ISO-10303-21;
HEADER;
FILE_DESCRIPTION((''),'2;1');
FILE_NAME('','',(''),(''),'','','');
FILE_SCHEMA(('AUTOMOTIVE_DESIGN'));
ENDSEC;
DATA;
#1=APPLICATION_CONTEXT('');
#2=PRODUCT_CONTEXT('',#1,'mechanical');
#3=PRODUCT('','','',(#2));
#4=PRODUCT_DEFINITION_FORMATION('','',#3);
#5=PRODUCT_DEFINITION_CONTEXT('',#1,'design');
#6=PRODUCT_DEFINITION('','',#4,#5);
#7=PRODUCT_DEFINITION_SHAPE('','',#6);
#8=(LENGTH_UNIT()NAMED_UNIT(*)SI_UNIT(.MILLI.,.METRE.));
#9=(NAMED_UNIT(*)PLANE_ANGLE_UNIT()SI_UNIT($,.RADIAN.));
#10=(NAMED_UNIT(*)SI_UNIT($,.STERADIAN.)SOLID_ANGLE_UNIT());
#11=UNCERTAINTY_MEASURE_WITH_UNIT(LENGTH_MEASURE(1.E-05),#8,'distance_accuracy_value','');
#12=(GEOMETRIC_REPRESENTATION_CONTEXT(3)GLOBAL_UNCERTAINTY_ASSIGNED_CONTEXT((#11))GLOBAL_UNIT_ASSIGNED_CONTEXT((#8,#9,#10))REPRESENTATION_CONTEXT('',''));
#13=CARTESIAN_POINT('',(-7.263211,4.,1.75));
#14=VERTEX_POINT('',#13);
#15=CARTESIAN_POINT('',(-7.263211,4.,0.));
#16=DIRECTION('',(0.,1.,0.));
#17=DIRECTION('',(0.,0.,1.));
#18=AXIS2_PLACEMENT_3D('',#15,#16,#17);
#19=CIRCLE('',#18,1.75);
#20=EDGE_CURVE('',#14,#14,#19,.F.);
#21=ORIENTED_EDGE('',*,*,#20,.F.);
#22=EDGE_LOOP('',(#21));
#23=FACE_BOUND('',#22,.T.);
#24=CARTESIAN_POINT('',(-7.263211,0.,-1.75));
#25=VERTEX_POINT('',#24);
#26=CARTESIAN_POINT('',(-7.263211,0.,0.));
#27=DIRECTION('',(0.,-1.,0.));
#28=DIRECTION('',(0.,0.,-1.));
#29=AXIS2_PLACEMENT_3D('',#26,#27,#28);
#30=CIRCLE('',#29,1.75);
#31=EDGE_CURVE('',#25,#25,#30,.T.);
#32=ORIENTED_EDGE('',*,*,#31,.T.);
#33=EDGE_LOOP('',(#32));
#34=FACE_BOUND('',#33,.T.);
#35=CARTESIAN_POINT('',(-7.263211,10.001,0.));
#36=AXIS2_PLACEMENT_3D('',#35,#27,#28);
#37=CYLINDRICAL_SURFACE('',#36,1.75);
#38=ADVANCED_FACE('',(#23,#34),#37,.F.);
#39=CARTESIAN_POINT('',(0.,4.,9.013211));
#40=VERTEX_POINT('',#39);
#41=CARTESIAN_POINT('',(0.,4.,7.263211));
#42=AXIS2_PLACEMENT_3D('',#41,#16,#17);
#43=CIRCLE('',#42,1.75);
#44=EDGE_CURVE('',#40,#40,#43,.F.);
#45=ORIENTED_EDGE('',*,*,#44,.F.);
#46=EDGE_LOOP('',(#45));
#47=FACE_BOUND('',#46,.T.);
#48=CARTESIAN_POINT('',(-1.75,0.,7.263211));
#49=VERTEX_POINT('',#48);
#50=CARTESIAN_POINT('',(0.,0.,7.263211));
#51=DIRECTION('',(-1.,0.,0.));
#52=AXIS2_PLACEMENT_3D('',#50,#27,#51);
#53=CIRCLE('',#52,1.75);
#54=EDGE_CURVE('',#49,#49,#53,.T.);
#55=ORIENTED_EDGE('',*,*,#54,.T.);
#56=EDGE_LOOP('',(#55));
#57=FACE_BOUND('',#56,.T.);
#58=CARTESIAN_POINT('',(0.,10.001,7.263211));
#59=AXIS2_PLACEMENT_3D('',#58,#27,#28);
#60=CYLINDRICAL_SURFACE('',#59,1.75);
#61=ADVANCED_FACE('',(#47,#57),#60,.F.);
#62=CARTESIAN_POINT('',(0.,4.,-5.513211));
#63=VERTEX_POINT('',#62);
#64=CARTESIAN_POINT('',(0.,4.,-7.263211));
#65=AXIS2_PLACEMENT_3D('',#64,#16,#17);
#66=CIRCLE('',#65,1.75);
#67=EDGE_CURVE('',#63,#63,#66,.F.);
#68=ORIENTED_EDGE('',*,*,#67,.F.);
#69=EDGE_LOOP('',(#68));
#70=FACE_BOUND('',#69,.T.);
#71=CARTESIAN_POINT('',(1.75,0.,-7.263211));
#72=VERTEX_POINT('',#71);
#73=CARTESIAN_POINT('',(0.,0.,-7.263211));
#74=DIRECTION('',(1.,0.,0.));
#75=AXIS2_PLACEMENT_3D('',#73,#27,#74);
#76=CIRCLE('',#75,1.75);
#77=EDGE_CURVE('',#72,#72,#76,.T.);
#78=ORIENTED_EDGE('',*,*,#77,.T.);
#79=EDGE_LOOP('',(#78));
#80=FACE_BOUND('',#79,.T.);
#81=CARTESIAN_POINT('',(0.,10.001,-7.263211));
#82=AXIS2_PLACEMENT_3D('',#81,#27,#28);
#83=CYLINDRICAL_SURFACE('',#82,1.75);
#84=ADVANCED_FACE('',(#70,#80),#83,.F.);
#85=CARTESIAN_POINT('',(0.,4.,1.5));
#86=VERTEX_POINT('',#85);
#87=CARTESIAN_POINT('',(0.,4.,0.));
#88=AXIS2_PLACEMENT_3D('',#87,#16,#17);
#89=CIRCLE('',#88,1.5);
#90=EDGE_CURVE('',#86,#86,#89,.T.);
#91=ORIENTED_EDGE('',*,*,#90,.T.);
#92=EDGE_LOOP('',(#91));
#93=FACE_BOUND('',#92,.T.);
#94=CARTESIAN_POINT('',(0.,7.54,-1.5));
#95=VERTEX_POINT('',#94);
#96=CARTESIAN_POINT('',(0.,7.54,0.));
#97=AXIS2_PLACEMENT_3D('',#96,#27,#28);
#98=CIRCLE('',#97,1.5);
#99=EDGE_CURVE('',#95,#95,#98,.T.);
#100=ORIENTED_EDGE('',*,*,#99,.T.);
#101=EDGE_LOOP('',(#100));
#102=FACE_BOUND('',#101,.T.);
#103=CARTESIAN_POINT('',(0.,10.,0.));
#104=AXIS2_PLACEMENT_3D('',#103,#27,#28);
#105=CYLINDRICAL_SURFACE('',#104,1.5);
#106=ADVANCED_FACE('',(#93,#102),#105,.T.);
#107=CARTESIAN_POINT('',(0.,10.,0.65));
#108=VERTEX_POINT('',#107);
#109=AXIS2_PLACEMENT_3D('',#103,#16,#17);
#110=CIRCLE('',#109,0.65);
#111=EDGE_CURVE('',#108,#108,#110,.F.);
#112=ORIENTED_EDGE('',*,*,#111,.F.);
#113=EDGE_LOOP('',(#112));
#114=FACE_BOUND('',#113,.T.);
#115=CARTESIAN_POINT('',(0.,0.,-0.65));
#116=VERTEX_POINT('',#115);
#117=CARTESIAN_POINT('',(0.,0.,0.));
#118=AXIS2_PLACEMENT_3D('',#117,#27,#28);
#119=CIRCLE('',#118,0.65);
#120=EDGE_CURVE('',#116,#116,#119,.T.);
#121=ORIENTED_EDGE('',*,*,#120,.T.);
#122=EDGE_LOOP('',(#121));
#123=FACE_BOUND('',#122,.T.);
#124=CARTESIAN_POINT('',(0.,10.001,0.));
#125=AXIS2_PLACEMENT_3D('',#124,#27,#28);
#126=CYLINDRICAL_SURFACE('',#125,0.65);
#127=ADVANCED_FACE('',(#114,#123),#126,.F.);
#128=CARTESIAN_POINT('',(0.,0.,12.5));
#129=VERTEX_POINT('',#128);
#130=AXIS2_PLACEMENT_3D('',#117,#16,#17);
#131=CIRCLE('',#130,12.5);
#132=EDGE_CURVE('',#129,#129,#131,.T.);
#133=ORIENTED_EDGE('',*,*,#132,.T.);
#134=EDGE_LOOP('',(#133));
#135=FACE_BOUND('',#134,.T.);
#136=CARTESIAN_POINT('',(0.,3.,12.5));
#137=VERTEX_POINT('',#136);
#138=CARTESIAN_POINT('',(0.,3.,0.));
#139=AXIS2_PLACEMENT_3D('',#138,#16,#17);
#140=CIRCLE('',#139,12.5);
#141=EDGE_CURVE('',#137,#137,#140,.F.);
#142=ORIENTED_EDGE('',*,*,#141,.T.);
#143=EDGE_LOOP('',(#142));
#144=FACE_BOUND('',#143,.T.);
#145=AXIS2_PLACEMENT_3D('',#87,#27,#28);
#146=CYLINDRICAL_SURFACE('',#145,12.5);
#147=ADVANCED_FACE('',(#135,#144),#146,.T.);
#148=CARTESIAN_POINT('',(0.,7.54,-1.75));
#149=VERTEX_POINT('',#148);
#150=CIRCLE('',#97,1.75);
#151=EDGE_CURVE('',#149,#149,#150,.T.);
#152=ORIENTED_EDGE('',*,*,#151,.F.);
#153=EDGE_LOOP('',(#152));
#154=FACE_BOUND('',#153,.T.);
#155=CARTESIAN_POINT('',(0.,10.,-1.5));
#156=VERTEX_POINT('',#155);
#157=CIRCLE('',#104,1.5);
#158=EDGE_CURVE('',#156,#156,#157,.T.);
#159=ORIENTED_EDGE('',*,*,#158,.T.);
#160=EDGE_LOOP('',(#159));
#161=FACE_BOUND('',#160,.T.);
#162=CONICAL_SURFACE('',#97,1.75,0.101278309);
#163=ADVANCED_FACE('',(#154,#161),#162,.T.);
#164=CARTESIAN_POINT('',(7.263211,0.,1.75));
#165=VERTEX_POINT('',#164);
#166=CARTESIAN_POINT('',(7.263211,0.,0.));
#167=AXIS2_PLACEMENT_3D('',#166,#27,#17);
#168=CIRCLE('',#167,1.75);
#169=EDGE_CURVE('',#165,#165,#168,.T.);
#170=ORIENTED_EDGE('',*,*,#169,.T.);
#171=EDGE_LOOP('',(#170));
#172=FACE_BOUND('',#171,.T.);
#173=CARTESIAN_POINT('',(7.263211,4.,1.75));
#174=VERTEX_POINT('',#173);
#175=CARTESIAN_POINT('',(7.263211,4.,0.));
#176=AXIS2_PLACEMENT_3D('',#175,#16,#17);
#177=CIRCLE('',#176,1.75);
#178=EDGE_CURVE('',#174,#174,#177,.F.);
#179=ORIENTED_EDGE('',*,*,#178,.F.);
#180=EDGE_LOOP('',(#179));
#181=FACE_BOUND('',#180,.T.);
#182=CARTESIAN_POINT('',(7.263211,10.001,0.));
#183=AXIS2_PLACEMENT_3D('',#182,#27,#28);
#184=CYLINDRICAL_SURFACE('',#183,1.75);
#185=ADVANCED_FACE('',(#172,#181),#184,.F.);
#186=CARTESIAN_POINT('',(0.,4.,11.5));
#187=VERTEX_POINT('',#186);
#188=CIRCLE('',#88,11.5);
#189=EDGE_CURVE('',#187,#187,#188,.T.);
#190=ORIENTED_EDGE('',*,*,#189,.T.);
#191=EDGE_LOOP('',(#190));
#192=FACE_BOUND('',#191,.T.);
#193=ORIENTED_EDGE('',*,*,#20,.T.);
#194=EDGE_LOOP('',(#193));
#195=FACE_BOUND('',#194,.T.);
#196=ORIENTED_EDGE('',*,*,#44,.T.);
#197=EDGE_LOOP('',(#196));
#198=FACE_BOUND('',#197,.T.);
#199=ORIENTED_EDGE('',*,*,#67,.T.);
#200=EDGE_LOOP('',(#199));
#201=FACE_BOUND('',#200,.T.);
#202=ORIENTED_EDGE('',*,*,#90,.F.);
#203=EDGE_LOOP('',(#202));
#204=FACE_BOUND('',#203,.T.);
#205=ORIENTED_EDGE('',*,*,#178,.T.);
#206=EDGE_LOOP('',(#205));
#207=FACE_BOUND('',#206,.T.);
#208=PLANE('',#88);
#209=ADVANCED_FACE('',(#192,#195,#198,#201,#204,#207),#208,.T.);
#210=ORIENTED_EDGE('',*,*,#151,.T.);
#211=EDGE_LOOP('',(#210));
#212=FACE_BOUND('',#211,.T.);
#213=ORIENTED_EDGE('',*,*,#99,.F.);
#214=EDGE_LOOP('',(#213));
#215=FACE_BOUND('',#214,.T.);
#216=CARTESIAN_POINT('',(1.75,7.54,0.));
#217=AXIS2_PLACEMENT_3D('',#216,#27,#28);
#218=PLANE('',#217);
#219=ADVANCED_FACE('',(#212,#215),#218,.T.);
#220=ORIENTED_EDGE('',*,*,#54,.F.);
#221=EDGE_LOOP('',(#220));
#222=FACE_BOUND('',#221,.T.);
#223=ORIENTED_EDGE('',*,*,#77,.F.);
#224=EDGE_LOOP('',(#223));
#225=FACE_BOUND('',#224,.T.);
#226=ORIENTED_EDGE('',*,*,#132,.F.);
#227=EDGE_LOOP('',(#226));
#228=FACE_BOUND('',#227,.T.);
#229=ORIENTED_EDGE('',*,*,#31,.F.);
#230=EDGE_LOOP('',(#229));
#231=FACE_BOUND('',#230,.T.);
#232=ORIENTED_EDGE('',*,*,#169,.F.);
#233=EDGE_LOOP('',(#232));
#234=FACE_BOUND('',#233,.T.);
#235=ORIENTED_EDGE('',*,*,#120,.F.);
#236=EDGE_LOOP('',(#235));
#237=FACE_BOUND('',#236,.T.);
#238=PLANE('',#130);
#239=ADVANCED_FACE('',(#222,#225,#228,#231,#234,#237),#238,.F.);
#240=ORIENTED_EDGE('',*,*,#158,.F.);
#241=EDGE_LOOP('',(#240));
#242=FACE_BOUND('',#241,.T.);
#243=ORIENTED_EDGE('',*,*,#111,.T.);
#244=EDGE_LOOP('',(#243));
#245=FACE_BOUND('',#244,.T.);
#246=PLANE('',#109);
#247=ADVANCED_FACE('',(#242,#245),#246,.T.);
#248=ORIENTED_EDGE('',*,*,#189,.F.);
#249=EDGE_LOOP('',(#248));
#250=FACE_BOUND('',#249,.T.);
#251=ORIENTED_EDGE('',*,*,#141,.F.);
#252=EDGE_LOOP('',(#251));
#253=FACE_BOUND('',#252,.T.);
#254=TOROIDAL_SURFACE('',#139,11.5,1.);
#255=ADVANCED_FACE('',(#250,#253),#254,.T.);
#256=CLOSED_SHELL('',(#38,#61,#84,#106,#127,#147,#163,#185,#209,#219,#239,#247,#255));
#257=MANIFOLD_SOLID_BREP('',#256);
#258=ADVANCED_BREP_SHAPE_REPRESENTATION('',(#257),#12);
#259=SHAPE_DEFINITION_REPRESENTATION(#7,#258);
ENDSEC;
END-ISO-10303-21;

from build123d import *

# Parameters (mm, degrees)
SKETCH1_R           = 12.5
BOSS_EXTRUDE1_DEPTH = 4
SKETCH2_R           = 1.5
BOSS_EXTRUDE2_DEPTH = 6
FILLET1_R           = 1
CUT_EXTRUDE1_REACH  = 22.31
SKETCH6_R           = 0.65
CUT_EXTRUDE2_REACH  = 22.31
SKETCH7_R           = 1.75
CIRPATTERN1_COUNT   = 4


with BuildPart() as part:
    # Sketch1 → Boss-Extrude1 (new body)
    with BuildSketch(Plane(origin=(0, 0, 0), x_dir=(1, 0, 0), z_dir=(0, 1, 0))):
        with Locations(Location((0, 0, 0), (0, 0, 270))):
            Circle(SKETCH1_R)
    extrude(amount=BOSS_EXTRUDE1_DEPTH)

    # Sketch2 → Boss-Extrude2 (add)
    with BuildSketch(Plane(origin=(0, 4, 0), x_dir=(1, 0, 0), z_dir=(0, 1, 0))):
        with Locations(Location((0, 0, 0), (0, 0, 270))):
            Circle(SKETCH2_R)
    extrude(amount=BOSS_EXTRUDE2_DEPTH)

    # Fillet1
    fillet1_edges = [part.edges().sort_by_distance(p)[0] for p in [
        (0, 4, -12.5),
    ]]
    fillet(fillet1_edges, radius=FILLET1_R)

    # Sketch5 → Revolve1 (revolve)
    with BuildSketch(Plane.XY, mode=Mode.PRIVATE) as revolve1_sk:
        Polygon((0, 7.54), (0, 10), (1.5, 10), (1.75, 7.54), align=None)
    revolve(revolve1_sk.sketch.rotate(Axis((0, 7.54, 0), (0, 1, 0)), 90), axis=Axis((0, 7.54, 0), (0, 1, 0)))

    # Sketch6 → Cut-Extrude1 (cut, up to next)
    with BuildSketch(Plane.XZ, mode=Mode.PRIVATE) as cut_extrude1_sk1:
        with Locations(Location((0, 0, 0), (0, 0, 270))):
            Circle(SKETCH6_R)
    cut_extrude1_tool1 = extrude(cut_extrude1_sk1.sketch, amount=-CUT_EXTRUDE1_REACH, mode=Mode.PRIVATE) & part.part
    add(cut_extrude1_tool1.solids().sort_by_distance((0, 0, 0))[0], mode=Mode.SUBTRACT)

    # Sketch7 → Cut-Extrude2 (cut, up to next)
    with BuildSketch(Plane.XZ, mode=Mode.PRIVATE) as cut_extrude2_sk1:
        with Locations(Location((-7.263210785, 0, 0), (0, 0, 270))):
            Circle(SKETCH7_R)
    cut_extrude2_tool1 = extrude(cut_extrude2_sk1.sketch, amount=-CUT_EXTRUDE2_REACH, mode=Mode.PRIVATE) & part.part
    cut_extrude2 = cut_extrude2_tool1.solids().sort_by_distance((-7.263211, 0, 0))[0]
    add(cut_extrude2, mode=Mode.SUBTRACT)

    # CirPattern1: Cut-Extrude2 ×4 about axis
    cirpattern1_axis = Axis((0, 0, 0), (0, 1, 0))
    for i in range(1, CIRPATTERN1_COUNT):
        add(cut_extrude2.rotate(cirpattern1_axis, i * 360 / CIRPATTERN1_COUNT), mode=Mode.SUBTRACT)


solid = part.part
